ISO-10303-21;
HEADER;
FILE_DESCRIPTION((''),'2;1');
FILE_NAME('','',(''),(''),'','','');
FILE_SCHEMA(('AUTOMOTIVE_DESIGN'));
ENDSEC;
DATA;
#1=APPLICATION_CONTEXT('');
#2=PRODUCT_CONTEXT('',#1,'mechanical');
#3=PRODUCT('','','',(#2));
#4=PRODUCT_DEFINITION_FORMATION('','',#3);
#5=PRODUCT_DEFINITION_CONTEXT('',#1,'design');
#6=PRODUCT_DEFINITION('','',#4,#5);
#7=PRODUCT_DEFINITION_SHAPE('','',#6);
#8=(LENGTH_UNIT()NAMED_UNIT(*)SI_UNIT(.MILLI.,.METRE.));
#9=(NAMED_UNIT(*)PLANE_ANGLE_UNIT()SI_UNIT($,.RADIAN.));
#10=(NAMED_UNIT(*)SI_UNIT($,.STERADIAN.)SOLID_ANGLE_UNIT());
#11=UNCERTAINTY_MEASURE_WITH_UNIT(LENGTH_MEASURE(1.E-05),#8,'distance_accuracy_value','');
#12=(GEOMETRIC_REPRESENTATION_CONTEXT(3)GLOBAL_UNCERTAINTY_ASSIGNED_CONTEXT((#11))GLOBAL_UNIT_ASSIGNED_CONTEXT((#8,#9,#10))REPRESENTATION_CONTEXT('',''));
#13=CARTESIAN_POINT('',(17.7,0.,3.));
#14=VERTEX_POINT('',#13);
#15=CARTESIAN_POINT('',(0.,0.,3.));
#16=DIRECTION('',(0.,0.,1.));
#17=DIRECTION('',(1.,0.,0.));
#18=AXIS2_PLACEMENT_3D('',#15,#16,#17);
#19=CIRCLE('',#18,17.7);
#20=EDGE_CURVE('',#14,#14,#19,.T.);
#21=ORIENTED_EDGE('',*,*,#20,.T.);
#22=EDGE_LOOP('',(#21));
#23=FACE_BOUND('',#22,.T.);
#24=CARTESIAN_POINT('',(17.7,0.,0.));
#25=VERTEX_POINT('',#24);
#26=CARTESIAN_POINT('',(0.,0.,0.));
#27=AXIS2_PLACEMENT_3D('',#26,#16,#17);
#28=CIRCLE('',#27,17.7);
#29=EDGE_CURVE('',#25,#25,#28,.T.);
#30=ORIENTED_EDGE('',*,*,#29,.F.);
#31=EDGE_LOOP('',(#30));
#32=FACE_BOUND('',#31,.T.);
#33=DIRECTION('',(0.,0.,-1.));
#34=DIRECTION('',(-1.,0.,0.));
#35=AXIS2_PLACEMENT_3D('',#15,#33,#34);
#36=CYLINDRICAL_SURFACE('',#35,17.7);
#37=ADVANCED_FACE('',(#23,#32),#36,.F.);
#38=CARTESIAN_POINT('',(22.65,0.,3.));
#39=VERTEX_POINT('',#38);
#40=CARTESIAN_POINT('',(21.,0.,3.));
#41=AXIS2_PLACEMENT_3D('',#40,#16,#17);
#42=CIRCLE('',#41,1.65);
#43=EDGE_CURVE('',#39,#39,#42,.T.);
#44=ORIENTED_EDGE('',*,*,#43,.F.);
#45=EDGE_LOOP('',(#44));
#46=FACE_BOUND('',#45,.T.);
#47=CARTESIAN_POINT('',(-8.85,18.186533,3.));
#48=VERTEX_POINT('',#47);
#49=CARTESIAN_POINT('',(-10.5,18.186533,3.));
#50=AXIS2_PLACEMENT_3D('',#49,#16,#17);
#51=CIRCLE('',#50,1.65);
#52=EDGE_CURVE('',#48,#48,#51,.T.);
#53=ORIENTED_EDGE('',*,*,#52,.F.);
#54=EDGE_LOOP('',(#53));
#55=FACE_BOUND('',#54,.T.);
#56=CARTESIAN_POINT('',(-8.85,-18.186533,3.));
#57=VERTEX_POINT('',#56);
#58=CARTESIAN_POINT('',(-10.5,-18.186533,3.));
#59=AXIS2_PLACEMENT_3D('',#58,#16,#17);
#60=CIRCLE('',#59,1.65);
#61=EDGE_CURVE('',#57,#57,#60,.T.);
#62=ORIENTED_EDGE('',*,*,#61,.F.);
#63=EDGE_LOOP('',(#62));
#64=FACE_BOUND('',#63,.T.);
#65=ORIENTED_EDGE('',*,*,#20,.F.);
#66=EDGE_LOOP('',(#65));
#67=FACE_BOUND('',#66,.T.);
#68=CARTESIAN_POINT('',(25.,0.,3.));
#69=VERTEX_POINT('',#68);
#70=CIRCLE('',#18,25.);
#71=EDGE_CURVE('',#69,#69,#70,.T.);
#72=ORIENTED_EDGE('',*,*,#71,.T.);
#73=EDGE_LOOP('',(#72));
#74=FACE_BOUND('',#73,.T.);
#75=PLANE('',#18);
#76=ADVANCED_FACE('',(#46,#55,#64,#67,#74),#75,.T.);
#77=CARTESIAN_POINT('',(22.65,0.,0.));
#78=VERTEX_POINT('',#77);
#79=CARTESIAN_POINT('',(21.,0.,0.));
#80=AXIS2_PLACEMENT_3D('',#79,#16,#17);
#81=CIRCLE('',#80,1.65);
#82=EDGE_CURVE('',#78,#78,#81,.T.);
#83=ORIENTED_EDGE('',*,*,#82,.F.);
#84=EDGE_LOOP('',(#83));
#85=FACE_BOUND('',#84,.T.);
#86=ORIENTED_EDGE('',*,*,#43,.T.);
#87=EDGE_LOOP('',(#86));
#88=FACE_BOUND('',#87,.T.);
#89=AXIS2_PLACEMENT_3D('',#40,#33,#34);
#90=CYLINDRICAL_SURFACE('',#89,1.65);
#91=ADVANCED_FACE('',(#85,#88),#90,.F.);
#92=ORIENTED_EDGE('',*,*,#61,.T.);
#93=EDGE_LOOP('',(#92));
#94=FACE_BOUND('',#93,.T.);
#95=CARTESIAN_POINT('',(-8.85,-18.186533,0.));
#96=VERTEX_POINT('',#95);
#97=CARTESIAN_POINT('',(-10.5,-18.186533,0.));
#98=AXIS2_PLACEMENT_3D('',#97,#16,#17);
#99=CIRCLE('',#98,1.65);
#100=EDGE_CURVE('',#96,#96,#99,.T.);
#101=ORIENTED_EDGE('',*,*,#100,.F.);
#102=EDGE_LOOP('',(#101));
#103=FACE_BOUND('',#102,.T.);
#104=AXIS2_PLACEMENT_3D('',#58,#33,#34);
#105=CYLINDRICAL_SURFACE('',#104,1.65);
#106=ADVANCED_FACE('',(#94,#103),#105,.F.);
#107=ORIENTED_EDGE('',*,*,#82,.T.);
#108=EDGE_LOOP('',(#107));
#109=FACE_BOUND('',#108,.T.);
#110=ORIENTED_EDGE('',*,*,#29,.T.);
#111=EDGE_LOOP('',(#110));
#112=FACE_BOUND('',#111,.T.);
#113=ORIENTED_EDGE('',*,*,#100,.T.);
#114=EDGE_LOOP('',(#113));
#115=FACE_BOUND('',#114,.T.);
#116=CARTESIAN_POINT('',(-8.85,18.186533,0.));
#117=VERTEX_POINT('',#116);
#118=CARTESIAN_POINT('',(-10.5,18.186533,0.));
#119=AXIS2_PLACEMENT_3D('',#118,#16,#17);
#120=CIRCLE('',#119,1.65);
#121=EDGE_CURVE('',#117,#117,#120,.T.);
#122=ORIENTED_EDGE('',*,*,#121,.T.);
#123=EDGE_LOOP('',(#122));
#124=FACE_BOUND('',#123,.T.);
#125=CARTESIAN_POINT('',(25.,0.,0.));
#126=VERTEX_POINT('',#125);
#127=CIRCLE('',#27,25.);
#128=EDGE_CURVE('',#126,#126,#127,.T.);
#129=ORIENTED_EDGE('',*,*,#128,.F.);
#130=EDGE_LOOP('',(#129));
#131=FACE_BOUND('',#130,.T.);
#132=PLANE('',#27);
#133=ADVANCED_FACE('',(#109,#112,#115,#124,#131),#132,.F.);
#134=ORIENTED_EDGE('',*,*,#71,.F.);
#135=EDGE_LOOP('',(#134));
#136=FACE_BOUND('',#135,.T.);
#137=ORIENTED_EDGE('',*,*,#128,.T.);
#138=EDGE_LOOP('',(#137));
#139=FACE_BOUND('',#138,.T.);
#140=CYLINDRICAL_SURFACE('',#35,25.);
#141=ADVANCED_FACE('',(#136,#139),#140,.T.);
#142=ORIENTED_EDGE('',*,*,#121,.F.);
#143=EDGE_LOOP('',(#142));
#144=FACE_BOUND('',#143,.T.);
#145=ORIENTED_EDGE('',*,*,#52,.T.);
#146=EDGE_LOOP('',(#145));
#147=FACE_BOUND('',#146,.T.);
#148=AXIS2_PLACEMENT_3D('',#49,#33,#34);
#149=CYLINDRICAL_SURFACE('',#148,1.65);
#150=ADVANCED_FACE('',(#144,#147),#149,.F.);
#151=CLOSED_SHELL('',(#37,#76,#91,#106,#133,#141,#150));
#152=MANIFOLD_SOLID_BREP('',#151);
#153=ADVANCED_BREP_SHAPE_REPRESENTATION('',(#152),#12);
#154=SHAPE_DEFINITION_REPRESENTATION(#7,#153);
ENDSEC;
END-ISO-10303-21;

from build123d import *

# Parameters (mm, degrees)
SKETCH_1_R      = 25
SKETCH_1_R_2    = 17.7
SKETCH_1_R_3    = 1.65
EXTRUDE_1_DEPTH = 3


with BuildPart() as part:
    # 草图1 → 凸台-拉伸1 (new body)
    with BuildSketch(Plane.XY):
        Circle(SKETCH_1_R)
        Circle(SKETCH_1_R_2, mode=Mode.SUBTRACT)
        with Locations((21, 0)):
            Circle(SKETCH_1_R_3, mode=Mode.SUBTRACT)
        with Locations((-10.5, 18.186533479)):
            Circle(SKETCH_1_R_3, mode=Mode.SUBTRACT)
        with Locations((-10.5, -18.186533479)):
            Circle(SKETCH_1_R_3, mode=Mode.SUBTRACT)
    extrude(amount=EXTRUDE_1_DEPTH)


solid = part.part
